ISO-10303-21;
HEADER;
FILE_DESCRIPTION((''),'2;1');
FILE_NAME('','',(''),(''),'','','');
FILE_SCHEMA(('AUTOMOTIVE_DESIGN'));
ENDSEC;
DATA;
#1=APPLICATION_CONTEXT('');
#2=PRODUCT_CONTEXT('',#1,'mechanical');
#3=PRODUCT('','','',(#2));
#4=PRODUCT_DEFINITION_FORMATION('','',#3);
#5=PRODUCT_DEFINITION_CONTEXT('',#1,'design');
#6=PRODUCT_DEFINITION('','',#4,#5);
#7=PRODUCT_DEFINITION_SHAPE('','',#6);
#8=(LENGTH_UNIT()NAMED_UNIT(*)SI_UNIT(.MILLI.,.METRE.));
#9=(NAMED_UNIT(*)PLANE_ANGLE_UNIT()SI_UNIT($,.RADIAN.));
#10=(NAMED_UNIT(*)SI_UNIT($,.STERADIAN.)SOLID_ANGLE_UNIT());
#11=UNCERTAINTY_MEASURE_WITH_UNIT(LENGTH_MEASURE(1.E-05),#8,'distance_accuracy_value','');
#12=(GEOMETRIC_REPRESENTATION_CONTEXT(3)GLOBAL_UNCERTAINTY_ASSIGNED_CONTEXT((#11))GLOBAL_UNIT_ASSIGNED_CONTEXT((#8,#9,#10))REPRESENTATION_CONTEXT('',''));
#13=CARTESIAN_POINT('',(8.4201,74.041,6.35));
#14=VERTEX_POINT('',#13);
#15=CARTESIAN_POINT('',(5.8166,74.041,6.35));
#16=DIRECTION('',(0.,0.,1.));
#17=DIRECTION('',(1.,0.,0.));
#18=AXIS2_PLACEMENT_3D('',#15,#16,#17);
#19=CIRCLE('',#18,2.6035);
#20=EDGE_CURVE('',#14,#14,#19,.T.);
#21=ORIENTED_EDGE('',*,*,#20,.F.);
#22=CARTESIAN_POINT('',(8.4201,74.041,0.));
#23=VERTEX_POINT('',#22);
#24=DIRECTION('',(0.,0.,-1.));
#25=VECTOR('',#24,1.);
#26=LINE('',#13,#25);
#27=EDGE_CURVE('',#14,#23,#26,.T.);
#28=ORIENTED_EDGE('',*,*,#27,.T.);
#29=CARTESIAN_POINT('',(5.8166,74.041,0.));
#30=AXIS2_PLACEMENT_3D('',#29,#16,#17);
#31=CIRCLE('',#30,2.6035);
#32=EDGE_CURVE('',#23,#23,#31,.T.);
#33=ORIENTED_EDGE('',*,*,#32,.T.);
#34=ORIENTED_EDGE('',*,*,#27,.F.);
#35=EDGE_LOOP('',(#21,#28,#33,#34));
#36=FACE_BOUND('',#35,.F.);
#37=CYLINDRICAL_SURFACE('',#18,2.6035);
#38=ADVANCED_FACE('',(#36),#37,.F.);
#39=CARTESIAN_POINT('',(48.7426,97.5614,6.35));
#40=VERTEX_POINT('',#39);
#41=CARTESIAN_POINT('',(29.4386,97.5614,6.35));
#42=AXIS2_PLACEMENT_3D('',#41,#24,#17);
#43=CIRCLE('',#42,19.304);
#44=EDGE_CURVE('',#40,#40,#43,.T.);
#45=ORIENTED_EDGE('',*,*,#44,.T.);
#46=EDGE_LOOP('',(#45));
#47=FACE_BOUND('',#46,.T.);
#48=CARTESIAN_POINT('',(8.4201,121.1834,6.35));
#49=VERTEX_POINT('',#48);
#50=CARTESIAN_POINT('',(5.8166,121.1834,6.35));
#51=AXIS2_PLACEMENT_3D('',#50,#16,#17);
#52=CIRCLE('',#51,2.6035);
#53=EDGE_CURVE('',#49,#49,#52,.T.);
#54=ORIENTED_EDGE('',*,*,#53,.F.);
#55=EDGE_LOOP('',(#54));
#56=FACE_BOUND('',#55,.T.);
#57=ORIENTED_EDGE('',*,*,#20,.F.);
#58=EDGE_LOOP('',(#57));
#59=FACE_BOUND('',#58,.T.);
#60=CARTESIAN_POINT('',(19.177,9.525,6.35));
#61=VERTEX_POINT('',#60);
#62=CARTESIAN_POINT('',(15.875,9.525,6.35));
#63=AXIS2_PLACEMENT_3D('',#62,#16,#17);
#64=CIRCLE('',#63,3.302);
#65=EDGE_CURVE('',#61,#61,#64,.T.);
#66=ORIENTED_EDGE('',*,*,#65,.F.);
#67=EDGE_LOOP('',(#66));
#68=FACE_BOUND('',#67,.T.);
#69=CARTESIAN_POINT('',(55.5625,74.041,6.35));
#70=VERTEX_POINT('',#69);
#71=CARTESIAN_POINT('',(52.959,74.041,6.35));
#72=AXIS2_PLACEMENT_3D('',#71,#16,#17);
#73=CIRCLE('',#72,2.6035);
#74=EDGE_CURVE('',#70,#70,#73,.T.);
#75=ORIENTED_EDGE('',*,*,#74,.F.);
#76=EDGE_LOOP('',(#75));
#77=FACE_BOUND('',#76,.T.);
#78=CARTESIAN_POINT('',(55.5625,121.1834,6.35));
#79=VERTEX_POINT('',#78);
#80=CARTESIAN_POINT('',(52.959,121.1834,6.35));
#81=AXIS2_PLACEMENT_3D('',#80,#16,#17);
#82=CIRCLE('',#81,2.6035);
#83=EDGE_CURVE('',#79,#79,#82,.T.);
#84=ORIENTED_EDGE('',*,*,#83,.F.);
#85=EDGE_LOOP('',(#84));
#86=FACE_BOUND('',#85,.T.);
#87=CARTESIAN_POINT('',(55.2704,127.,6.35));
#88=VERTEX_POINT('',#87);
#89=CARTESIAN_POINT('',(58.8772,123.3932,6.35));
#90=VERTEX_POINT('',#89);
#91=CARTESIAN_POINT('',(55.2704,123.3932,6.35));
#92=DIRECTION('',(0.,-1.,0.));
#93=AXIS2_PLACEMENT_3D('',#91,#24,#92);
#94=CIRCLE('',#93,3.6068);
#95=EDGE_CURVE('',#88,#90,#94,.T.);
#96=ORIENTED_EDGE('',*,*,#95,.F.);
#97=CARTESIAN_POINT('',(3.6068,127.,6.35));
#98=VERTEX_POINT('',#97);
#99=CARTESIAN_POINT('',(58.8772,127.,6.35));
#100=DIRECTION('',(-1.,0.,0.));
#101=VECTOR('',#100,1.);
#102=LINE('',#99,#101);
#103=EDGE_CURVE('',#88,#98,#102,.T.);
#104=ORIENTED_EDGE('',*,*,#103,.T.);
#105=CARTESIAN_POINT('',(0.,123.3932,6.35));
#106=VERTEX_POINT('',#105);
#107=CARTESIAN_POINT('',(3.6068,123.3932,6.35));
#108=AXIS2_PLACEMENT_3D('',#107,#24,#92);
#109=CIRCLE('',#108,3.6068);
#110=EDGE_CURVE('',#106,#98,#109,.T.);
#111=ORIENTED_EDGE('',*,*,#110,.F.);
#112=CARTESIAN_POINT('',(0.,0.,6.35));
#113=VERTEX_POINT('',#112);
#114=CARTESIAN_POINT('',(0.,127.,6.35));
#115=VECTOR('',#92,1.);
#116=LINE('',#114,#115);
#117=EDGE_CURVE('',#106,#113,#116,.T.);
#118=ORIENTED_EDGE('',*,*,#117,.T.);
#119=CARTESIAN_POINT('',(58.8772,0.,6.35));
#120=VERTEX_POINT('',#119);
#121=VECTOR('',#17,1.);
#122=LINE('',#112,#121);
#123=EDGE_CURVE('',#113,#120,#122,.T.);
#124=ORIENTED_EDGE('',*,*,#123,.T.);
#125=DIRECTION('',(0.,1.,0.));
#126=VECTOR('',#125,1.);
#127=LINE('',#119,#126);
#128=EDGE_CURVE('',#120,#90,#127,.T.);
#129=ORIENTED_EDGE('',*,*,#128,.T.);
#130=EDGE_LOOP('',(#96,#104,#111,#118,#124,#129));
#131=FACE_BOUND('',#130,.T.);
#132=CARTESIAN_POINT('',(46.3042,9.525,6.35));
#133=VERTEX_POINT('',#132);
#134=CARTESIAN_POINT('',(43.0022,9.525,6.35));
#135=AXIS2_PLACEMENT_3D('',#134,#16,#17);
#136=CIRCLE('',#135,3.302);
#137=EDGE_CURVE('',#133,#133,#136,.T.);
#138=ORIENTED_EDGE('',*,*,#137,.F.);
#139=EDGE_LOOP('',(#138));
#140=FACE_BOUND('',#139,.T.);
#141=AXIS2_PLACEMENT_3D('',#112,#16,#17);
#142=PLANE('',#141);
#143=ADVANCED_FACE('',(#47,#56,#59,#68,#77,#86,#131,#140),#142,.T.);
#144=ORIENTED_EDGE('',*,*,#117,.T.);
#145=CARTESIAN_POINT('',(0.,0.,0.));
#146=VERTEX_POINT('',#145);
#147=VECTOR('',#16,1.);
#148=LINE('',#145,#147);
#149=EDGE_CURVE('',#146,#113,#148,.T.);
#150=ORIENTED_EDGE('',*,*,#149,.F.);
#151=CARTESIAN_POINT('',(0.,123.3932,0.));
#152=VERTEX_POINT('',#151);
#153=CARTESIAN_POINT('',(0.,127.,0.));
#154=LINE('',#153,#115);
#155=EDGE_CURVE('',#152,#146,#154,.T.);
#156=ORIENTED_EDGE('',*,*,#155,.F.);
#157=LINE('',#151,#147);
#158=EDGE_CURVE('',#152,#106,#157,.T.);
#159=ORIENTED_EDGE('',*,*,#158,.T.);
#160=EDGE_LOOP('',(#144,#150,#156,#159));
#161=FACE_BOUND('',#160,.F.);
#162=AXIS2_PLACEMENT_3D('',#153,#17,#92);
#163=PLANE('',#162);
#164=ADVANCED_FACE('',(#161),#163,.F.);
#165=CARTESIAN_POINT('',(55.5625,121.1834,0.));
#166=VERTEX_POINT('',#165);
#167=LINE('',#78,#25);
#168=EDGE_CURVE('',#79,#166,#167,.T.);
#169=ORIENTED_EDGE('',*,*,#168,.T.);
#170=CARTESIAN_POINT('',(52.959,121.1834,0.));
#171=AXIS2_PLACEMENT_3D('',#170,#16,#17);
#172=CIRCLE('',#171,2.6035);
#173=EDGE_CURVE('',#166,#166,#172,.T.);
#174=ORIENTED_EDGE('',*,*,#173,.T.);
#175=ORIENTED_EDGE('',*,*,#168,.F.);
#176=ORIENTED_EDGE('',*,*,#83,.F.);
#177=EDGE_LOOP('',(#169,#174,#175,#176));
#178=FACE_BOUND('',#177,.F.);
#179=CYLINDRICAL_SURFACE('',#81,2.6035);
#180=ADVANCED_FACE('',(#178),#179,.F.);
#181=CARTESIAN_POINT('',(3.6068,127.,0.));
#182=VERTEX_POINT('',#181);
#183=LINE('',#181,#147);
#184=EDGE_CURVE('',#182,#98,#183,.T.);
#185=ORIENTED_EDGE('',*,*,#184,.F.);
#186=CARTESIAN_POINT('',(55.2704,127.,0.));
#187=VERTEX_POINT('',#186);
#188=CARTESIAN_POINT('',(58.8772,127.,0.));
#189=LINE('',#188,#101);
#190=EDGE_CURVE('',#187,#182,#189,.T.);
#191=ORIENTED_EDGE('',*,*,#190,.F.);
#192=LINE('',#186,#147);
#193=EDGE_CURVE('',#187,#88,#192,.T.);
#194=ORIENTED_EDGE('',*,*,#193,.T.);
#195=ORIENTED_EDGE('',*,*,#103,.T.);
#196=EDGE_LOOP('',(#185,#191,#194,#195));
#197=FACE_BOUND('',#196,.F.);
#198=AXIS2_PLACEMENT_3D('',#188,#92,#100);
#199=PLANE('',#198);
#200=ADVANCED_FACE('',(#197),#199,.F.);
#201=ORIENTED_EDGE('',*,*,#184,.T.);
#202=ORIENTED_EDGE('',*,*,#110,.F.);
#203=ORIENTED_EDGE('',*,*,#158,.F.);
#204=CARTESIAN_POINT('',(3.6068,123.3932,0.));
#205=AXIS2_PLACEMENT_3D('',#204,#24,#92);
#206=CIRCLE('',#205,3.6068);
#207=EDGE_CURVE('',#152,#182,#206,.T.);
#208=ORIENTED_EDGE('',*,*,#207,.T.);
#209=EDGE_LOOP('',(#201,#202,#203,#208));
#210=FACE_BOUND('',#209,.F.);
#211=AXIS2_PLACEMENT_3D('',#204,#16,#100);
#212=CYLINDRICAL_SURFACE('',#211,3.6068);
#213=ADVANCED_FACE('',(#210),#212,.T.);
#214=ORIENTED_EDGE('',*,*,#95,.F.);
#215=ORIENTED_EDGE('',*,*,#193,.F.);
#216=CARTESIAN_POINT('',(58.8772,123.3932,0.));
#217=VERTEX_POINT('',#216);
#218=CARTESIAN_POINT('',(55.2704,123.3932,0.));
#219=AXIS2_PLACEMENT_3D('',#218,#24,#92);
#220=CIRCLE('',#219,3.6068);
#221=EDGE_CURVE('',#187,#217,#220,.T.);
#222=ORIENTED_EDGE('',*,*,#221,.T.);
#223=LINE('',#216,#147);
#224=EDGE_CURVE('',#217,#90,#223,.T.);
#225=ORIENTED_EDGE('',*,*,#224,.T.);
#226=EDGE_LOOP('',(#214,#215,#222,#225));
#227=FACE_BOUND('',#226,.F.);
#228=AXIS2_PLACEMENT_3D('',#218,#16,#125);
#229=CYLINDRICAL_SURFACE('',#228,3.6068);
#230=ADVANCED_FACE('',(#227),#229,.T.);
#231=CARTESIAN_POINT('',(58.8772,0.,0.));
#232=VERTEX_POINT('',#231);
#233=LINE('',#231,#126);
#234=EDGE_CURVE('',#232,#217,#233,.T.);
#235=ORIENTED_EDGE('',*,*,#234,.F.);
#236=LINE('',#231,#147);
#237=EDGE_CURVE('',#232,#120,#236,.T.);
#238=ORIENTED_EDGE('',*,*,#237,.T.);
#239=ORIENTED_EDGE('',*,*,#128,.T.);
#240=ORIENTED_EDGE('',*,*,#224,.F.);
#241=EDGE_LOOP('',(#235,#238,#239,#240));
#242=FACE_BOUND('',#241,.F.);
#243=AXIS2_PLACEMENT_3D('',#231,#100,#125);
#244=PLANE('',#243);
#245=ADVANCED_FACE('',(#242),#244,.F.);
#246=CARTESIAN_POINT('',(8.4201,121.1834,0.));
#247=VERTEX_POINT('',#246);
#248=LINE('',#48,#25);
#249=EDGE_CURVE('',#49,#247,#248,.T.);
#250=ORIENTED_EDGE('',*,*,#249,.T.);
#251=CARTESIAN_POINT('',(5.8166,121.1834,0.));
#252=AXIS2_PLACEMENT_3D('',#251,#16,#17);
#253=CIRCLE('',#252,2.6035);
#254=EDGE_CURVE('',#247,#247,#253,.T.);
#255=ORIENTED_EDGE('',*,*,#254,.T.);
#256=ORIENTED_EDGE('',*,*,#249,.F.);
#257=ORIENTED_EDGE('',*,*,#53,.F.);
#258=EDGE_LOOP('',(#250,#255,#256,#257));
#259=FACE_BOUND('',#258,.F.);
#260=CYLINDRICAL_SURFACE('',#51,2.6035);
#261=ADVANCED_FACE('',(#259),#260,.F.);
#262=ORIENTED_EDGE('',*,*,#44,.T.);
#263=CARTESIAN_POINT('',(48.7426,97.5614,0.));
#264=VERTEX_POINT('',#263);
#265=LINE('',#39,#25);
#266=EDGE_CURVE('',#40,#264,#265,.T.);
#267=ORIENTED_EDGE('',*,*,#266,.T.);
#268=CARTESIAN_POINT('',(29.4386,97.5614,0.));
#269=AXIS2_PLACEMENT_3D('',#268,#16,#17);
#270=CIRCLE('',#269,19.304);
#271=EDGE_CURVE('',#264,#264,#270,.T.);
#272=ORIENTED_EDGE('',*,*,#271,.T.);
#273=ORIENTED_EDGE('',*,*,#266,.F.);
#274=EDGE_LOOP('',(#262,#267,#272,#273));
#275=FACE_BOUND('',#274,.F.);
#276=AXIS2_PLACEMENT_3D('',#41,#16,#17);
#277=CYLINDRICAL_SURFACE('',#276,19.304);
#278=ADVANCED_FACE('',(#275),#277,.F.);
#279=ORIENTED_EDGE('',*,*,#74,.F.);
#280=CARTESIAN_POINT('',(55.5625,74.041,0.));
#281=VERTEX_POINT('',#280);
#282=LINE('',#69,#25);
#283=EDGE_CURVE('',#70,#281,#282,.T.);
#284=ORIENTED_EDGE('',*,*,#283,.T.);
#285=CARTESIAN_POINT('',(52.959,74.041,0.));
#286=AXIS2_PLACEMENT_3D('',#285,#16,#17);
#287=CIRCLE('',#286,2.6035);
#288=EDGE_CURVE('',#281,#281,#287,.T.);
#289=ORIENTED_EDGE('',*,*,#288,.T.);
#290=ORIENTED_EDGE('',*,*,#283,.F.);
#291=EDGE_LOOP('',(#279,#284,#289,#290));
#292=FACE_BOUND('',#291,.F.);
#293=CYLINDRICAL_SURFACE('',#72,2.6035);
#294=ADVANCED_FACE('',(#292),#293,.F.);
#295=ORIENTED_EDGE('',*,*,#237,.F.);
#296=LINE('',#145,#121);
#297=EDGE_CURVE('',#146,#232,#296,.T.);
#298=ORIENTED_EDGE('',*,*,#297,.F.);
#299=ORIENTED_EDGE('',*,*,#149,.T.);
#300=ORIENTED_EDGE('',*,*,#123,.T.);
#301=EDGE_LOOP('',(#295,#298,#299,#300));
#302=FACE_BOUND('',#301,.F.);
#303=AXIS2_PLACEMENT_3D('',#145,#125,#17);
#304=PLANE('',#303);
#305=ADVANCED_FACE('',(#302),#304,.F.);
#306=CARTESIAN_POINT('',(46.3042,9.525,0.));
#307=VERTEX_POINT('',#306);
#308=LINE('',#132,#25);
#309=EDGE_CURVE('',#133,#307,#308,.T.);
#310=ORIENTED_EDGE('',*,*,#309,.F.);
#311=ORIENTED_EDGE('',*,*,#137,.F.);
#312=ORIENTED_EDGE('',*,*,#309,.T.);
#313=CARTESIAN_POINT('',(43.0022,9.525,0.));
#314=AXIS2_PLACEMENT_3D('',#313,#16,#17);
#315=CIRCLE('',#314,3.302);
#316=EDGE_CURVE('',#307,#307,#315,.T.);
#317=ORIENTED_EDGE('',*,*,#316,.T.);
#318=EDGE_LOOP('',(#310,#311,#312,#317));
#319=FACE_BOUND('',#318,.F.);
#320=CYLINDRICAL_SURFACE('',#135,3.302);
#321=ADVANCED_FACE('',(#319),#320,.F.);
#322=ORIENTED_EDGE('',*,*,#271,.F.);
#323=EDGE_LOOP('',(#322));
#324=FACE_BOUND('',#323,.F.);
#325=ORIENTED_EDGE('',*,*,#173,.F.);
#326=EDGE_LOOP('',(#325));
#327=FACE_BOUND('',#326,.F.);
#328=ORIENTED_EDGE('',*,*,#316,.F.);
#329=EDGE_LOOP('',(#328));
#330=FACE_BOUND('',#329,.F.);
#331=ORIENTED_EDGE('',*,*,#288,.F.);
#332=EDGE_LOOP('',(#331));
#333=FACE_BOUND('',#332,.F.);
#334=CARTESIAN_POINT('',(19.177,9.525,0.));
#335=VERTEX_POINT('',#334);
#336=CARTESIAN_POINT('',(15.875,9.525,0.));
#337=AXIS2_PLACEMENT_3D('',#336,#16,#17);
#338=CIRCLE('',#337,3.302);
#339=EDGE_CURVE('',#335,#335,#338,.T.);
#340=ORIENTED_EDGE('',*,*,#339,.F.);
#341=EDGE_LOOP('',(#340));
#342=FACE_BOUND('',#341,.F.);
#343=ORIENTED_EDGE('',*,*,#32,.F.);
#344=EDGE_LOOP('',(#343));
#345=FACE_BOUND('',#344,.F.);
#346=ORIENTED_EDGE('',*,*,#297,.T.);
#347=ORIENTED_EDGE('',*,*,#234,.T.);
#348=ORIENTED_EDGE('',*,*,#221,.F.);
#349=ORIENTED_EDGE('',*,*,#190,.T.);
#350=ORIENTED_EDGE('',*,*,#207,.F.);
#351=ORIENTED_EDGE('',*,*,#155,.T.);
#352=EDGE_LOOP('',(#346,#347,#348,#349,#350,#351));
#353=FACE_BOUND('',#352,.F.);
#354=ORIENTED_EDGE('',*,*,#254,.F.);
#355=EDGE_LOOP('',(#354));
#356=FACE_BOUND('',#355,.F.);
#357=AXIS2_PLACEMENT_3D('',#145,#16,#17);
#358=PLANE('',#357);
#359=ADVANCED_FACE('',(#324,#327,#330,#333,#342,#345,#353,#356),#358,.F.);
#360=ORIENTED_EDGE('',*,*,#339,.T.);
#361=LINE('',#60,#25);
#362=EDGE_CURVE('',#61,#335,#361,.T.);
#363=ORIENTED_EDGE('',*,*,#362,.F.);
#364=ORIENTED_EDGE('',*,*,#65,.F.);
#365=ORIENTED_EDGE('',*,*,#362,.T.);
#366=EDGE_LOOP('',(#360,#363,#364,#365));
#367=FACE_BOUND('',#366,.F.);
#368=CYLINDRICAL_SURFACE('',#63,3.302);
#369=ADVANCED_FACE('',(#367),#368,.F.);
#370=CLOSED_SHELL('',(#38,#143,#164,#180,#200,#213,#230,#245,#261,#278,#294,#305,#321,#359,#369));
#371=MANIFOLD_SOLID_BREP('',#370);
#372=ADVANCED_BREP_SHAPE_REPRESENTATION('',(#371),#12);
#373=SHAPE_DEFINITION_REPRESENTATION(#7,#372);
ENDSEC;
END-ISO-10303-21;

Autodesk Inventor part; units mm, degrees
ref_plane "YZ Plane" through (0, 0, 0) normal (1, 0, 0) x (0, 1, 0)
ref_plane "XZ Plane" through (0, 0, 0) normal (0, 1, 0) x (-1, 0, 0)
ref_plane "XY Plane" through (0, 0, 0) normal (0, 0, 1) x (1, 0, 0)
sketch "Sketch1" plane through (0, 0, 0) normal (0, 0, 1) x (1, 0, 0)
  line L0 (0, 0) -> (58.8772, 0)
  line L1 (58.8772, 0) -> (58.8772, 127)
  line L2 (58.8772, 127) -> (0, 127)
  line L3 (0, 127) -> (0, 0)
  dimension "d0" = 58.8772
  dimension "d1" = 127
extrude "Extrusion1" add sketch "Sketch1" along normal blind 6.35
sketch "Sketch2" plane through (0, 0, 6.35) normal (0, 0, 1) x (1, 0, 0)
  circle A0 centre (29.4386, 97.5614) radius 19.304
  line L0 (58.8772, 127) -> (0, 127) projected
  line L1 (0, 127) -> (0, 0) projected
  line L2 (58.8772, 0) -> (58.8772, 127) projected
  line L3 (29.4386, 127) -> (29.4386, 0)
  line L4 (0, 0) -> (58.8772, 0) projected
  dimension "d4" = 38.608
  dimension "d5" = 29.4386
extrude "Extrusion2" cut sketch "Sketch2" against normal blind 6.35 contours A0 L3 | L3 A0
sketch "Sketch3" plane through (0, 0, 6.35) normal (0, 0, 1) x (1, 0, 0)
  circle A0 centre (5.8166, 121.1834) radius 2.6035
  line L0 (58.8772, 127) -> (0, 127) projected
  line L1 (0, 127) -> (0, 0) projected
  circle A1 centre (5.8166, 74.041) radius 2.6035
  circle A2 centre (52.959, 121.1834) radius 2.6035
  circle A3 centre (52.959, 74.041) radius 2.6035
  dimension "d10" = 5.207
  dimension "d11" = 5.8166
  dimension "d12" = 5.8166
  dimension "d15" = 47.1424
  dimension "d18" = 47.1424
extrude "Extrusion3" cut sketch "Sketch3" against normal blind 6.35
fillet "Fillet1" radius 3.6068 2 edges at (0, 127, 3.175) (58.8772, 127, 3.175)
sketch "Sketch4" plane through (0, 0, 6.35) normal (0, 0, 1) x (1, 0, 0)
  circle A0 centre (15.875, 9.525) radius 3.302
  circle A1 centre (43.0022, 9.525) radius 3.302
  line L0 (0, 0) -> (58.8772, 0) projected
  line L1 (58.8772, 0) -> (58.8772, 123.3932) projected
  line L2 (0, 123.3932) -> (0, 0) projected
  dimension "d24" = 6.604
  dimension "d25" = 6.604
  dimension "d26" = 9.525
  dimension "d27" = 9.525
  dimension "d28" = 15.875
  dimension "d29" = 15.875
extrude "Extrusion4" cut sketch "Sketch4" against normal blind 25.4
properties part number "Motor Support" material "Aluminum 6061"
